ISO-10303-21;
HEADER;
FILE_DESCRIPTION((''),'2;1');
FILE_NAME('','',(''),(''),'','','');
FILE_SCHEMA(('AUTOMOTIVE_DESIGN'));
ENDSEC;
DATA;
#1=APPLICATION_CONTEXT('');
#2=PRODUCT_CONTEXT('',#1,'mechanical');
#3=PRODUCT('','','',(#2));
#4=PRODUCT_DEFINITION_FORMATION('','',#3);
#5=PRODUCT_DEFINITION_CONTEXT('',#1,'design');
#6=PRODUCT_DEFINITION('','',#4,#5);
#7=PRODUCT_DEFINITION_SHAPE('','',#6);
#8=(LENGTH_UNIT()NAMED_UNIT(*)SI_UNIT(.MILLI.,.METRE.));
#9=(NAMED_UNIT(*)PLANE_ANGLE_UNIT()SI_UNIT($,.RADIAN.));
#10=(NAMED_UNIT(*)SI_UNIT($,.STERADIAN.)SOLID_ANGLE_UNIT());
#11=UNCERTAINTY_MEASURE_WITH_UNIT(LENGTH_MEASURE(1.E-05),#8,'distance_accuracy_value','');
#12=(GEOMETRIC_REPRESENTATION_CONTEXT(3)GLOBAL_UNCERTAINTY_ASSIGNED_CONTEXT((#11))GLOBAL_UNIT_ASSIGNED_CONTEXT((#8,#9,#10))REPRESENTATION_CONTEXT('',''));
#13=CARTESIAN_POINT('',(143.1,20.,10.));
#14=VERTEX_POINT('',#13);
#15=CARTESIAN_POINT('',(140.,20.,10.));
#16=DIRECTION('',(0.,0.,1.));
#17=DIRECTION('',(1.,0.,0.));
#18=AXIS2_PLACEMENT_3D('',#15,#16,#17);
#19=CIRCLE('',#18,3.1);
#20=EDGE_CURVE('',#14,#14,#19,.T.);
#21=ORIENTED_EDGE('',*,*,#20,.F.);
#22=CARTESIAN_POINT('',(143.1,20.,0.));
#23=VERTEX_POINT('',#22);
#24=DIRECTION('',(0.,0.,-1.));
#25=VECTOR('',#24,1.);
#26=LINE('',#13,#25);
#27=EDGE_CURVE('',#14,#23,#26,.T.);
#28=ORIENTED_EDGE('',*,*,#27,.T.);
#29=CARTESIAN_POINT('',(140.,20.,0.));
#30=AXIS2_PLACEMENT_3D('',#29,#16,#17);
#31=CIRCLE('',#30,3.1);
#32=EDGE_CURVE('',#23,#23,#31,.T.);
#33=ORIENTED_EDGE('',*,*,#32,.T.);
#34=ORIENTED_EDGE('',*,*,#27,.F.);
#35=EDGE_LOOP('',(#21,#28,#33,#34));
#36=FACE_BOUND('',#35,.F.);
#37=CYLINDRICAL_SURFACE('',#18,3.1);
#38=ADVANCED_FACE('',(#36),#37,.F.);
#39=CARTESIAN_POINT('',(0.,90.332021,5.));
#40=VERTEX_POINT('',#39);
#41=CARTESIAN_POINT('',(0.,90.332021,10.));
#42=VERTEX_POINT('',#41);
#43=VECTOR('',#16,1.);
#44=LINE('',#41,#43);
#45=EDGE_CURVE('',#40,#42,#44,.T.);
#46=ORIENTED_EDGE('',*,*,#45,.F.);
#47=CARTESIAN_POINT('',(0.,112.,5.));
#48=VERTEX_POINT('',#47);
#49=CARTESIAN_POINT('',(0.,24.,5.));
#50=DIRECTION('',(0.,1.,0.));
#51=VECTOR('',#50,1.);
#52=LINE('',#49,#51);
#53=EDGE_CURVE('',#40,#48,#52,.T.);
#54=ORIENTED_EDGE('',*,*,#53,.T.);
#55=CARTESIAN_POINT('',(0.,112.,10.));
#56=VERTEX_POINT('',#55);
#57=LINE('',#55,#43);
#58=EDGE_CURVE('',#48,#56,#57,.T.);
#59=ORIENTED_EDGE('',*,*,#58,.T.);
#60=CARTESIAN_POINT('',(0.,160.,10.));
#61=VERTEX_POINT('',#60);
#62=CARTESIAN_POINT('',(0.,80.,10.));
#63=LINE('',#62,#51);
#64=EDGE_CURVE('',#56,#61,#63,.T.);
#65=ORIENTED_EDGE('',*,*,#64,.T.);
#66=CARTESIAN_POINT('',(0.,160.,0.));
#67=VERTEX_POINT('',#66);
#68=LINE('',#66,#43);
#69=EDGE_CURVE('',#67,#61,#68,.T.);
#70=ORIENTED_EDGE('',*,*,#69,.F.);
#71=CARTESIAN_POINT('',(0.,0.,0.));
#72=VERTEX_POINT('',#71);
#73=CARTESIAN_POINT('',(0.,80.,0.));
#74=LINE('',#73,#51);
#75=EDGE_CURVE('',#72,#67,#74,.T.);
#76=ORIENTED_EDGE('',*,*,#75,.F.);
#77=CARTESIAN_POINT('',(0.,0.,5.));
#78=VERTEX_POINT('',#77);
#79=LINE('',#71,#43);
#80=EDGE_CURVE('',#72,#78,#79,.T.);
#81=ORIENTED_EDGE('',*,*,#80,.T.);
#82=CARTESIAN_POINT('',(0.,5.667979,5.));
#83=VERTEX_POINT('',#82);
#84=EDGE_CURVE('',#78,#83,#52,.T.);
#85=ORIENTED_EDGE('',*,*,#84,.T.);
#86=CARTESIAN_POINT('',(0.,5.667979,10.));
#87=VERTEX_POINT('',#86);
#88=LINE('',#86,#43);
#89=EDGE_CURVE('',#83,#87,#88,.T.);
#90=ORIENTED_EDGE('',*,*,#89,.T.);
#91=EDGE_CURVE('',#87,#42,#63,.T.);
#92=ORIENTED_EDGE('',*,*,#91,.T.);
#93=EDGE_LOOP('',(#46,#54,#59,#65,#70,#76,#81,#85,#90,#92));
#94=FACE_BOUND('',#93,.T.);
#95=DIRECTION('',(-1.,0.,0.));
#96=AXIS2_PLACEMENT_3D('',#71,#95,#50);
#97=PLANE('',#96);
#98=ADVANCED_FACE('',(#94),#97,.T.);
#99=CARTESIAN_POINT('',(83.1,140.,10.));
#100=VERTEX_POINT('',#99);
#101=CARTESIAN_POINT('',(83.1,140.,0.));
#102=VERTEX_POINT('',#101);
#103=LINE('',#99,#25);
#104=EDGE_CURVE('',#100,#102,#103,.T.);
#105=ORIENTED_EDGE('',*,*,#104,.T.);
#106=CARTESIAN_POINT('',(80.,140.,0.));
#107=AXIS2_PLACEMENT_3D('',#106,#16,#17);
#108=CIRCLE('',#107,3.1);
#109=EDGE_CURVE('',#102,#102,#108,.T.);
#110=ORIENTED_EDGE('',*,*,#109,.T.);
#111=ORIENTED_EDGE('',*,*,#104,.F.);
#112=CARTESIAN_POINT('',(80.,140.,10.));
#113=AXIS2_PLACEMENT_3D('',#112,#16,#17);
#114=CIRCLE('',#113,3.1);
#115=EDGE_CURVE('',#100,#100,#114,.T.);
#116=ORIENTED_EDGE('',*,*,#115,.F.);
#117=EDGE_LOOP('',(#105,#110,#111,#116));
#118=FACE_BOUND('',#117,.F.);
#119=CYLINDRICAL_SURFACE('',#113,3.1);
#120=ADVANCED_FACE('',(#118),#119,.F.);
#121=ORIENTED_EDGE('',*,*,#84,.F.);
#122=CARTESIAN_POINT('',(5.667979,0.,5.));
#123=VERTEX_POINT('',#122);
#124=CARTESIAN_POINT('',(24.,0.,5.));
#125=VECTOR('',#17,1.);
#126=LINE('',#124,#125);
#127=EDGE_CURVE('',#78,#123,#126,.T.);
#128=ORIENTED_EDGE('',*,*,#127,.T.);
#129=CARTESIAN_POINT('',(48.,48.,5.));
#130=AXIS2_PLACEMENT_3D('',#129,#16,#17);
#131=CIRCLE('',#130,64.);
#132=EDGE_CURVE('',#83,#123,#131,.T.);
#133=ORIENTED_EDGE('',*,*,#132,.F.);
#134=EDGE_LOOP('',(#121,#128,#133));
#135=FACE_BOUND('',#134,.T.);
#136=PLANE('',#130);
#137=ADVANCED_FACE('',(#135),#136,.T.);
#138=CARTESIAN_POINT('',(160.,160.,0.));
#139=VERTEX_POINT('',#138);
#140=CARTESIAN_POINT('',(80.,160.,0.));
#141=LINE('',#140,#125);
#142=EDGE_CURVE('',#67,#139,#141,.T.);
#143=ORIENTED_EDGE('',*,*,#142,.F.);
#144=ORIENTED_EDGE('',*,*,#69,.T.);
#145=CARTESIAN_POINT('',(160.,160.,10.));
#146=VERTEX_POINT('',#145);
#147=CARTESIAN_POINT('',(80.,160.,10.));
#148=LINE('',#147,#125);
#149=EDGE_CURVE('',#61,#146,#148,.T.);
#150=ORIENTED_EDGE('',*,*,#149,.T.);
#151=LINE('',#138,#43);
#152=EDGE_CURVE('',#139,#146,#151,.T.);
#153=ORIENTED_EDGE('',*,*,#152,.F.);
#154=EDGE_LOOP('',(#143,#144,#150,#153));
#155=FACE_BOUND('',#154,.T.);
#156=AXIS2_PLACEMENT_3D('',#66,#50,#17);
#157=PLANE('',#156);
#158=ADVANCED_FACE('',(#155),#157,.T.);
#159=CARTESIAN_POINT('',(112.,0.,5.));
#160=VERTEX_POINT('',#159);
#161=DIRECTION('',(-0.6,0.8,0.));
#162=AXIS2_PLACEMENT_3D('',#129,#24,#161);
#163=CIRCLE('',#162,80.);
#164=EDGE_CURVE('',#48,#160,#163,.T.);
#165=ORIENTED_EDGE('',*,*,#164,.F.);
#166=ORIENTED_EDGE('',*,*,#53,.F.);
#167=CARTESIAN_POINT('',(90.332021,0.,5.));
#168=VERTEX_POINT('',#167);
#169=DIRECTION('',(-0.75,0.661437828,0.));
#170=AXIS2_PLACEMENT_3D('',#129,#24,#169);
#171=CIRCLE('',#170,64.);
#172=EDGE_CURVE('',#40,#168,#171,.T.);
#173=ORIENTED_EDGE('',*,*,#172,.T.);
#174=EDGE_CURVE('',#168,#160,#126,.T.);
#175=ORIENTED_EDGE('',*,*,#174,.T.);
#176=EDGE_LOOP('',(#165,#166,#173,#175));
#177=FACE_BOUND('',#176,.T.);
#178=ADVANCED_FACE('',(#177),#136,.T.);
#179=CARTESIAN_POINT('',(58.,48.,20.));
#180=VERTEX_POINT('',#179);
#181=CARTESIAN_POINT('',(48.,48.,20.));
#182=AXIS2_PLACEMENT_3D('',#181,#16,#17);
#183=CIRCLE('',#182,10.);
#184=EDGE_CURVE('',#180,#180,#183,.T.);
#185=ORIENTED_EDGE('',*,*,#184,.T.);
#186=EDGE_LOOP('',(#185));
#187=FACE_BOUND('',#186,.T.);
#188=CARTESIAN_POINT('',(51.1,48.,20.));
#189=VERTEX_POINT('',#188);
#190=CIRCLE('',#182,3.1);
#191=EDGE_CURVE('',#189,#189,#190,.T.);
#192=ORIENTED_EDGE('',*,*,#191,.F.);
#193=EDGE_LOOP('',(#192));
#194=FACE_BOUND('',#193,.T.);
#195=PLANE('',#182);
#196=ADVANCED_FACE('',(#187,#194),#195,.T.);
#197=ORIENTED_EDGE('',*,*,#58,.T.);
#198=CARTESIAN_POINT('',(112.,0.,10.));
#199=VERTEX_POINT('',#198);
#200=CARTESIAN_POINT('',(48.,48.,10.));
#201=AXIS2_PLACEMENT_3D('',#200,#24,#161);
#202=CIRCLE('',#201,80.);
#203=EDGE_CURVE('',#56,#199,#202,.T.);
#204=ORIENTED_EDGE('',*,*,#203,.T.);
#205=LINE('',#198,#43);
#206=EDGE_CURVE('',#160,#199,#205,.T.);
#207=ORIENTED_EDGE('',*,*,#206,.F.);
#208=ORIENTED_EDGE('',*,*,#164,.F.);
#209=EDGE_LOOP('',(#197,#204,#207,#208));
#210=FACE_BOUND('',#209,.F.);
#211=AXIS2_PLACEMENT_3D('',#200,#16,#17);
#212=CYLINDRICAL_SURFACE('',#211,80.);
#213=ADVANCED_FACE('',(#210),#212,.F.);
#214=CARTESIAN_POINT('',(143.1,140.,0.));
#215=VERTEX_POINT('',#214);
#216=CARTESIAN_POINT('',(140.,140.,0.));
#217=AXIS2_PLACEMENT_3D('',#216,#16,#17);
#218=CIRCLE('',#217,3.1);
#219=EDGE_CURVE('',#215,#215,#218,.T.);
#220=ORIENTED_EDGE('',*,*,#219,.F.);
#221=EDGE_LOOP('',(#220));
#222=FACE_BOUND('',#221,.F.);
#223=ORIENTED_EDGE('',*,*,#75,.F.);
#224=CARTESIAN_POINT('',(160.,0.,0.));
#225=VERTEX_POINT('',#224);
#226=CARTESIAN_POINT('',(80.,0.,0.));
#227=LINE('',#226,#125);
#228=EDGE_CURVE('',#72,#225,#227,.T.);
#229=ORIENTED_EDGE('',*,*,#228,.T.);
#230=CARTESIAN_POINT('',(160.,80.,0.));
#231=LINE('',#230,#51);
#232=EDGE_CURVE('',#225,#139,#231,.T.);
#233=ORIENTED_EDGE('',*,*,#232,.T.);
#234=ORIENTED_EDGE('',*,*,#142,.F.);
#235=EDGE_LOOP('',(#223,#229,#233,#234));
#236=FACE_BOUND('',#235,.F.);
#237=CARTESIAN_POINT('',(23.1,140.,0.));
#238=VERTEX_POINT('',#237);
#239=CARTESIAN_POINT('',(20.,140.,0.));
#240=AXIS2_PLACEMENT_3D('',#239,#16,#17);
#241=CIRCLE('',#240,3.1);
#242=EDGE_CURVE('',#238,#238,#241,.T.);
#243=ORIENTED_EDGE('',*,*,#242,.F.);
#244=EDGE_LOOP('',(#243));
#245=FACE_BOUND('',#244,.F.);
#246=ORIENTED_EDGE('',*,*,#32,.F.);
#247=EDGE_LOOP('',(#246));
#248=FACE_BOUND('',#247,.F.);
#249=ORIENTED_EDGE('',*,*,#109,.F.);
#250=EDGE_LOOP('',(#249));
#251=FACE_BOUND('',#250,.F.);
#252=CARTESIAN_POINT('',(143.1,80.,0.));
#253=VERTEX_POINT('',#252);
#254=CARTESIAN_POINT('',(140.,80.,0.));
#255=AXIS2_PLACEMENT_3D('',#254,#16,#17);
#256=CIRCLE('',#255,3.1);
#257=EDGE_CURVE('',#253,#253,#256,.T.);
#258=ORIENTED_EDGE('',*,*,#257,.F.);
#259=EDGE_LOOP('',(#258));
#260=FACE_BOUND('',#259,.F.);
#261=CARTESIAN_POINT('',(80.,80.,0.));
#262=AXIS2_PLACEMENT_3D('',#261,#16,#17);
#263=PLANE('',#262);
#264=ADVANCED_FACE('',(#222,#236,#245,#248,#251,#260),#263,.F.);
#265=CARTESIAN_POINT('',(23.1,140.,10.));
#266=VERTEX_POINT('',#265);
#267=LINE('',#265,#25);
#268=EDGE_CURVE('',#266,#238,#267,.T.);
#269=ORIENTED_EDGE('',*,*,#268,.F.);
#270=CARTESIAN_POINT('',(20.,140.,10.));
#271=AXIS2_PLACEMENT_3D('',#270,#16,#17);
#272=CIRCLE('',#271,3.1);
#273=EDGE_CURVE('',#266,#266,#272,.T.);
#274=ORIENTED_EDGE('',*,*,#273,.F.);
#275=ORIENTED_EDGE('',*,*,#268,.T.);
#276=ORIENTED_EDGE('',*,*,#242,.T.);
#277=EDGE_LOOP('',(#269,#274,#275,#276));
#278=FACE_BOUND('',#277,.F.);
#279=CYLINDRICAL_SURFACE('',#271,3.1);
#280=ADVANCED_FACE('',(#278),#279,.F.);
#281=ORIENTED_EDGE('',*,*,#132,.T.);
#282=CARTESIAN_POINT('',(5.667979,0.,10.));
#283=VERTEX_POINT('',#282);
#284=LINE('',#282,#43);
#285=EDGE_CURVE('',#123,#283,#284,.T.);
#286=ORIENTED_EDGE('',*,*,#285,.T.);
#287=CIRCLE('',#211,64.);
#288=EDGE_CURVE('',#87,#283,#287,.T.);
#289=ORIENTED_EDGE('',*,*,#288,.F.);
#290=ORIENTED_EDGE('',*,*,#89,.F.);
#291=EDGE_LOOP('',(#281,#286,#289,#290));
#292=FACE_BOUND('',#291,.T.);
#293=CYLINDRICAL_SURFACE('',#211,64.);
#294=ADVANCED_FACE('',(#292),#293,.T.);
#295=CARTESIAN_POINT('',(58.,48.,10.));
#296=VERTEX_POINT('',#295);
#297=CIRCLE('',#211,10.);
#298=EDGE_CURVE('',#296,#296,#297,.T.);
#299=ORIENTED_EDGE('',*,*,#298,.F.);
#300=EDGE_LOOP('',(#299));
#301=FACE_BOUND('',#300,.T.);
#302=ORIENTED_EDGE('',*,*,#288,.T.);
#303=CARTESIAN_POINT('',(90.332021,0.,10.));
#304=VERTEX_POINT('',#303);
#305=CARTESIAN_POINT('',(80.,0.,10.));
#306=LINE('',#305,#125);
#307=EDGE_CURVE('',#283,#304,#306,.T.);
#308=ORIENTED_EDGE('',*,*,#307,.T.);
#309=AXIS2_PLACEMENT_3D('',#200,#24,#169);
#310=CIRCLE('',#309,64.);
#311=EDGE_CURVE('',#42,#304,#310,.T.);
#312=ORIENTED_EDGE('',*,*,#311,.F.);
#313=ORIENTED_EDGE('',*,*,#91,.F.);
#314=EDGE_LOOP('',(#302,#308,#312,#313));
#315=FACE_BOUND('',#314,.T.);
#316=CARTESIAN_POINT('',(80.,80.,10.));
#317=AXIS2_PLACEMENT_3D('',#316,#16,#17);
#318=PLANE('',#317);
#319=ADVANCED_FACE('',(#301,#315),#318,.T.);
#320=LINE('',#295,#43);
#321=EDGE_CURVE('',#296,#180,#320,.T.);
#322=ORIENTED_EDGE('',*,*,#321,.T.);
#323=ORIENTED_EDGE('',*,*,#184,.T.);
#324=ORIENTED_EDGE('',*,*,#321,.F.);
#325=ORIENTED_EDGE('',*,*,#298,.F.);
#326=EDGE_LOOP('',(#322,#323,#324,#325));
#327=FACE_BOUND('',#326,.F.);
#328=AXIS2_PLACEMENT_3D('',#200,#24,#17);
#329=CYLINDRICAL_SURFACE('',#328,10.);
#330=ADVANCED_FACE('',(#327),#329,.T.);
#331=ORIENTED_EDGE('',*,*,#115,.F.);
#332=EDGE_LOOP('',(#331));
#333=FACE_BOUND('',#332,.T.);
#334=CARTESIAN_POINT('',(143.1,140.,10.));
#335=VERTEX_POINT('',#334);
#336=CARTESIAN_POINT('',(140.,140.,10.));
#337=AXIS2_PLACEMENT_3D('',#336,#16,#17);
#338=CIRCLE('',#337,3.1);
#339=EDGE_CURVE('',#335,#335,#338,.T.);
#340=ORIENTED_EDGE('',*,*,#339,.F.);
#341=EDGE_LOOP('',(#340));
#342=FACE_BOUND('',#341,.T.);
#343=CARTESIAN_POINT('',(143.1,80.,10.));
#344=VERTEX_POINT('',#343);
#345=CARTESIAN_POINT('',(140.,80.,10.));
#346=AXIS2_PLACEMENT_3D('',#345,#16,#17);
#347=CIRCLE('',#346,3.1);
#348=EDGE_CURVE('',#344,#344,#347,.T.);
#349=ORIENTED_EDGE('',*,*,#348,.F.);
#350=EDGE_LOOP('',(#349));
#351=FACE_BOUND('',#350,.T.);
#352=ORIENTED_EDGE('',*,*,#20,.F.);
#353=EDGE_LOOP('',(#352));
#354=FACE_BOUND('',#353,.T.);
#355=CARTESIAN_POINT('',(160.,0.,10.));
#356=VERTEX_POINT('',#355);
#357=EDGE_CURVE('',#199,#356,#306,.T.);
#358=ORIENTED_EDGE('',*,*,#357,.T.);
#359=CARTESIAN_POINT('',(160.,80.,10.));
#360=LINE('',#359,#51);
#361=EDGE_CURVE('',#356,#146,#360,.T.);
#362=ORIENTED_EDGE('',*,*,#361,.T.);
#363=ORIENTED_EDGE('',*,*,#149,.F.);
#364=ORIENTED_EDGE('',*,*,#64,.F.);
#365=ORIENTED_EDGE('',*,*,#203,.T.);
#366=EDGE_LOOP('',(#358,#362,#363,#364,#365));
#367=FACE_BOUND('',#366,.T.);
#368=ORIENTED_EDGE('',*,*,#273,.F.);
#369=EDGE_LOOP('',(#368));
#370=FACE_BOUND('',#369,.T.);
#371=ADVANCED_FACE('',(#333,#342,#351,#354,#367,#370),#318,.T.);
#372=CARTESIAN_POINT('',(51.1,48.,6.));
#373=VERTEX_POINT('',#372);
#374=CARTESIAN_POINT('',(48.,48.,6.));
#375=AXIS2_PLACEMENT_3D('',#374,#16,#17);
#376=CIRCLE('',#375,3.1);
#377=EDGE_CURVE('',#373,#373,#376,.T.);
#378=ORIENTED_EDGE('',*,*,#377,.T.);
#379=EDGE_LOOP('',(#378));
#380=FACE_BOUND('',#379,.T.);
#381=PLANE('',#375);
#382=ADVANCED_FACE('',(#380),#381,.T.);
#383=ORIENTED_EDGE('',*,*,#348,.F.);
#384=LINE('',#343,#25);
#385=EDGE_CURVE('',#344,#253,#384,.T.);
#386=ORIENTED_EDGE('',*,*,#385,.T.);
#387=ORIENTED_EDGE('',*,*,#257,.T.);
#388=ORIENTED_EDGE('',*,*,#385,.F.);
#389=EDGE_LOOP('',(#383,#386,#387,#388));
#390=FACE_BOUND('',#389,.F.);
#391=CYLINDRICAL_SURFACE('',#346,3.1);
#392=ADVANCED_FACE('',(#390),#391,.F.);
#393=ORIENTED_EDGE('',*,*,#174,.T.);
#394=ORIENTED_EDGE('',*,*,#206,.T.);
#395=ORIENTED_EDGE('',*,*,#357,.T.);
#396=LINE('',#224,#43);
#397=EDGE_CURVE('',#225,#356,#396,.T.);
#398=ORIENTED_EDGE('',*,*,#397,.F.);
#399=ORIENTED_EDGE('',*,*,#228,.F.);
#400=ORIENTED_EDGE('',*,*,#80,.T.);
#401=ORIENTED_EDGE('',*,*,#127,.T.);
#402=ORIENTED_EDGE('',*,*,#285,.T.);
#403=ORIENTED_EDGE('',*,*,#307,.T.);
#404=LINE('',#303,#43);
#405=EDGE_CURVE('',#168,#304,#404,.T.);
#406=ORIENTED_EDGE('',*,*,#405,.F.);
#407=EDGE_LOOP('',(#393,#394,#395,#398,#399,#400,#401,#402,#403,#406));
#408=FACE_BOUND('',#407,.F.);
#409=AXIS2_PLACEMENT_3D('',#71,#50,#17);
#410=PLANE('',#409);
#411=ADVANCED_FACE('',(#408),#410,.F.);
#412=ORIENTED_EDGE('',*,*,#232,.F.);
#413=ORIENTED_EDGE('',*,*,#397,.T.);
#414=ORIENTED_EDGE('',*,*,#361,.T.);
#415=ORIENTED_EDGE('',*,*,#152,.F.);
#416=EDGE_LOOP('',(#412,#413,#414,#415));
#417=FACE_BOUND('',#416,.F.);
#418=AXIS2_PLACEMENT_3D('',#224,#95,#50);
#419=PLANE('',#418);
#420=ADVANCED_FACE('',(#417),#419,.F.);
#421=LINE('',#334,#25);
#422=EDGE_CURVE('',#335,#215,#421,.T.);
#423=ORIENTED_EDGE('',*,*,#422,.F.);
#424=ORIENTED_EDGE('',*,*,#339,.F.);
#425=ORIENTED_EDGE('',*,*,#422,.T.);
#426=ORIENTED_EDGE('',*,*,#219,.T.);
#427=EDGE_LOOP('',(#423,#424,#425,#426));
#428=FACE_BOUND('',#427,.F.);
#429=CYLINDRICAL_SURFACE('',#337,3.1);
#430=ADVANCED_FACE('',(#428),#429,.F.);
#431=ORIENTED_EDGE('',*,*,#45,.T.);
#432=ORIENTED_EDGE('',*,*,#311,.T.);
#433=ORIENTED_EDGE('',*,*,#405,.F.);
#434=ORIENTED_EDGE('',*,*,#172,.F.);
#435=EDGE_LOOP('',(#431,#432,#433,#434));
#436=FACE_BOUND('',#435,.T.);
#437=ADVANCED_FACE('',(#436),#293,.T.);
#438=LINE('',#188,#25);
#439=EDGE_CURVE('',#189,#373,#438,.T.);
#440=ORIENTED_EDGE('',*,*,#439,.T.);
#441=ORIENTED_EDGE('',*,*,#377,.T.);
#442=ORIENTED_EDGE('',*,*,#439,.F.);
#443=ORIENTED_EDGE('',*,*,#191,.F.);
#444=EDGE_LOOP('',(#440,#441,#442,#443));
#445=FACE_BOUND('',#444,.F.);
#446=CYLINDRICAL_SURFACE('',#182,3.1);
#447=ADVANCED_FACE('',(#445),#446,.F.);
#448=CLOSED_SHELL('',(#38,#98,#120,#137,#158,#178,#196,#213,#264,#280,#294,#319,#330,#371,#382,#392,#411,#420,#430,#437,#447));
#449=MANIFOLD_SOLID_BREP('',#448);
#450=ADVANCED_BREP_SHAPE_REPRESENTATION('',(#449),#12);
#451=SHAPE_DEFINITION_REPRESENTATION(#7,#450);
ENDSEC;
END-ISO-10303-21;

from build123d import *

# Parameters (mm, degrees)
SKETCH_W        = 160
SKETCH_H        = 160
PAD_DEPTH       = 10
SKETCH001_R     = 80
SKETCH001_R_2   = 64
POCKET_DEPTH    = 5
SKETCH002_R     = 3.1
POCKET001_DEPTH = 10
SKETCH003_R     = 10
PAD001_DEPTH    = 10
SKETCH004_R     = 3.1
POCKET002_DEPTH = 14


with BuildPart() as part:
    # Sketch → Pad (new body)
    with BuildSketch(Plane.XY):
        with Locations((80, 80)):
            Rectangle(SKETCH_W, SKETCH_H)
    extrude(amount=PAD_DEPTH)

    # Sketch001 (on Face6 of Pad) → Pocket (cut)
    with BuildSketch(Plane.XY.offset(10)):
        with Locations((48, 48)):
            Circle(SKETCH001_R)
        with Locations((48, 48)):
            Circle(SKETCH001_R_2, mode=Mode.SUBTRACT)
    extrude(amount=-POCKET_DEPTH, mode=Mode.SUBTRACT)

    # Sketch002 (on Face5 of Pocket) → Pocket001 (cut)
    with BuildSketch(Plane.XY.offset(10)):
        with Locations((20, 140)):
            Circle(SKETCH002_R)
        with Locations((80, 140)):
            Circle(SKETCH002_R)
        with Locations((140, 140)):
            Circle(SKETCH002_R)
        with Locations((140, 80)):
            Circle(SKETCH002_R)
        with Locations((140, 20)):
            Circle(SKETCH002_R)
    extrude(amount=-POCKET001_DEPTH, mode=Mode.SUBTRACT)

    # Sketch003 (on Face9 of Pocket001) → Pad001 (join)
    with BuildSketch(Plane.XY.offset(10)):
        with Locations((48, 48)):
            Circle(SKETCH003_R)
    extrude(amount=PAD001_DEPTH)

    # Sketch004 (on Face21 of Pad001) → Pocket002 (cut)
    with BuildSketch(Plane.XY.offset(20)):
        with Locations((48, 48)):
            Circle(SKETCH004_R)
    extrude(amount=-POCKET002_DEPTH, mode=Mode.SUBTRACT)


solid = part.part
